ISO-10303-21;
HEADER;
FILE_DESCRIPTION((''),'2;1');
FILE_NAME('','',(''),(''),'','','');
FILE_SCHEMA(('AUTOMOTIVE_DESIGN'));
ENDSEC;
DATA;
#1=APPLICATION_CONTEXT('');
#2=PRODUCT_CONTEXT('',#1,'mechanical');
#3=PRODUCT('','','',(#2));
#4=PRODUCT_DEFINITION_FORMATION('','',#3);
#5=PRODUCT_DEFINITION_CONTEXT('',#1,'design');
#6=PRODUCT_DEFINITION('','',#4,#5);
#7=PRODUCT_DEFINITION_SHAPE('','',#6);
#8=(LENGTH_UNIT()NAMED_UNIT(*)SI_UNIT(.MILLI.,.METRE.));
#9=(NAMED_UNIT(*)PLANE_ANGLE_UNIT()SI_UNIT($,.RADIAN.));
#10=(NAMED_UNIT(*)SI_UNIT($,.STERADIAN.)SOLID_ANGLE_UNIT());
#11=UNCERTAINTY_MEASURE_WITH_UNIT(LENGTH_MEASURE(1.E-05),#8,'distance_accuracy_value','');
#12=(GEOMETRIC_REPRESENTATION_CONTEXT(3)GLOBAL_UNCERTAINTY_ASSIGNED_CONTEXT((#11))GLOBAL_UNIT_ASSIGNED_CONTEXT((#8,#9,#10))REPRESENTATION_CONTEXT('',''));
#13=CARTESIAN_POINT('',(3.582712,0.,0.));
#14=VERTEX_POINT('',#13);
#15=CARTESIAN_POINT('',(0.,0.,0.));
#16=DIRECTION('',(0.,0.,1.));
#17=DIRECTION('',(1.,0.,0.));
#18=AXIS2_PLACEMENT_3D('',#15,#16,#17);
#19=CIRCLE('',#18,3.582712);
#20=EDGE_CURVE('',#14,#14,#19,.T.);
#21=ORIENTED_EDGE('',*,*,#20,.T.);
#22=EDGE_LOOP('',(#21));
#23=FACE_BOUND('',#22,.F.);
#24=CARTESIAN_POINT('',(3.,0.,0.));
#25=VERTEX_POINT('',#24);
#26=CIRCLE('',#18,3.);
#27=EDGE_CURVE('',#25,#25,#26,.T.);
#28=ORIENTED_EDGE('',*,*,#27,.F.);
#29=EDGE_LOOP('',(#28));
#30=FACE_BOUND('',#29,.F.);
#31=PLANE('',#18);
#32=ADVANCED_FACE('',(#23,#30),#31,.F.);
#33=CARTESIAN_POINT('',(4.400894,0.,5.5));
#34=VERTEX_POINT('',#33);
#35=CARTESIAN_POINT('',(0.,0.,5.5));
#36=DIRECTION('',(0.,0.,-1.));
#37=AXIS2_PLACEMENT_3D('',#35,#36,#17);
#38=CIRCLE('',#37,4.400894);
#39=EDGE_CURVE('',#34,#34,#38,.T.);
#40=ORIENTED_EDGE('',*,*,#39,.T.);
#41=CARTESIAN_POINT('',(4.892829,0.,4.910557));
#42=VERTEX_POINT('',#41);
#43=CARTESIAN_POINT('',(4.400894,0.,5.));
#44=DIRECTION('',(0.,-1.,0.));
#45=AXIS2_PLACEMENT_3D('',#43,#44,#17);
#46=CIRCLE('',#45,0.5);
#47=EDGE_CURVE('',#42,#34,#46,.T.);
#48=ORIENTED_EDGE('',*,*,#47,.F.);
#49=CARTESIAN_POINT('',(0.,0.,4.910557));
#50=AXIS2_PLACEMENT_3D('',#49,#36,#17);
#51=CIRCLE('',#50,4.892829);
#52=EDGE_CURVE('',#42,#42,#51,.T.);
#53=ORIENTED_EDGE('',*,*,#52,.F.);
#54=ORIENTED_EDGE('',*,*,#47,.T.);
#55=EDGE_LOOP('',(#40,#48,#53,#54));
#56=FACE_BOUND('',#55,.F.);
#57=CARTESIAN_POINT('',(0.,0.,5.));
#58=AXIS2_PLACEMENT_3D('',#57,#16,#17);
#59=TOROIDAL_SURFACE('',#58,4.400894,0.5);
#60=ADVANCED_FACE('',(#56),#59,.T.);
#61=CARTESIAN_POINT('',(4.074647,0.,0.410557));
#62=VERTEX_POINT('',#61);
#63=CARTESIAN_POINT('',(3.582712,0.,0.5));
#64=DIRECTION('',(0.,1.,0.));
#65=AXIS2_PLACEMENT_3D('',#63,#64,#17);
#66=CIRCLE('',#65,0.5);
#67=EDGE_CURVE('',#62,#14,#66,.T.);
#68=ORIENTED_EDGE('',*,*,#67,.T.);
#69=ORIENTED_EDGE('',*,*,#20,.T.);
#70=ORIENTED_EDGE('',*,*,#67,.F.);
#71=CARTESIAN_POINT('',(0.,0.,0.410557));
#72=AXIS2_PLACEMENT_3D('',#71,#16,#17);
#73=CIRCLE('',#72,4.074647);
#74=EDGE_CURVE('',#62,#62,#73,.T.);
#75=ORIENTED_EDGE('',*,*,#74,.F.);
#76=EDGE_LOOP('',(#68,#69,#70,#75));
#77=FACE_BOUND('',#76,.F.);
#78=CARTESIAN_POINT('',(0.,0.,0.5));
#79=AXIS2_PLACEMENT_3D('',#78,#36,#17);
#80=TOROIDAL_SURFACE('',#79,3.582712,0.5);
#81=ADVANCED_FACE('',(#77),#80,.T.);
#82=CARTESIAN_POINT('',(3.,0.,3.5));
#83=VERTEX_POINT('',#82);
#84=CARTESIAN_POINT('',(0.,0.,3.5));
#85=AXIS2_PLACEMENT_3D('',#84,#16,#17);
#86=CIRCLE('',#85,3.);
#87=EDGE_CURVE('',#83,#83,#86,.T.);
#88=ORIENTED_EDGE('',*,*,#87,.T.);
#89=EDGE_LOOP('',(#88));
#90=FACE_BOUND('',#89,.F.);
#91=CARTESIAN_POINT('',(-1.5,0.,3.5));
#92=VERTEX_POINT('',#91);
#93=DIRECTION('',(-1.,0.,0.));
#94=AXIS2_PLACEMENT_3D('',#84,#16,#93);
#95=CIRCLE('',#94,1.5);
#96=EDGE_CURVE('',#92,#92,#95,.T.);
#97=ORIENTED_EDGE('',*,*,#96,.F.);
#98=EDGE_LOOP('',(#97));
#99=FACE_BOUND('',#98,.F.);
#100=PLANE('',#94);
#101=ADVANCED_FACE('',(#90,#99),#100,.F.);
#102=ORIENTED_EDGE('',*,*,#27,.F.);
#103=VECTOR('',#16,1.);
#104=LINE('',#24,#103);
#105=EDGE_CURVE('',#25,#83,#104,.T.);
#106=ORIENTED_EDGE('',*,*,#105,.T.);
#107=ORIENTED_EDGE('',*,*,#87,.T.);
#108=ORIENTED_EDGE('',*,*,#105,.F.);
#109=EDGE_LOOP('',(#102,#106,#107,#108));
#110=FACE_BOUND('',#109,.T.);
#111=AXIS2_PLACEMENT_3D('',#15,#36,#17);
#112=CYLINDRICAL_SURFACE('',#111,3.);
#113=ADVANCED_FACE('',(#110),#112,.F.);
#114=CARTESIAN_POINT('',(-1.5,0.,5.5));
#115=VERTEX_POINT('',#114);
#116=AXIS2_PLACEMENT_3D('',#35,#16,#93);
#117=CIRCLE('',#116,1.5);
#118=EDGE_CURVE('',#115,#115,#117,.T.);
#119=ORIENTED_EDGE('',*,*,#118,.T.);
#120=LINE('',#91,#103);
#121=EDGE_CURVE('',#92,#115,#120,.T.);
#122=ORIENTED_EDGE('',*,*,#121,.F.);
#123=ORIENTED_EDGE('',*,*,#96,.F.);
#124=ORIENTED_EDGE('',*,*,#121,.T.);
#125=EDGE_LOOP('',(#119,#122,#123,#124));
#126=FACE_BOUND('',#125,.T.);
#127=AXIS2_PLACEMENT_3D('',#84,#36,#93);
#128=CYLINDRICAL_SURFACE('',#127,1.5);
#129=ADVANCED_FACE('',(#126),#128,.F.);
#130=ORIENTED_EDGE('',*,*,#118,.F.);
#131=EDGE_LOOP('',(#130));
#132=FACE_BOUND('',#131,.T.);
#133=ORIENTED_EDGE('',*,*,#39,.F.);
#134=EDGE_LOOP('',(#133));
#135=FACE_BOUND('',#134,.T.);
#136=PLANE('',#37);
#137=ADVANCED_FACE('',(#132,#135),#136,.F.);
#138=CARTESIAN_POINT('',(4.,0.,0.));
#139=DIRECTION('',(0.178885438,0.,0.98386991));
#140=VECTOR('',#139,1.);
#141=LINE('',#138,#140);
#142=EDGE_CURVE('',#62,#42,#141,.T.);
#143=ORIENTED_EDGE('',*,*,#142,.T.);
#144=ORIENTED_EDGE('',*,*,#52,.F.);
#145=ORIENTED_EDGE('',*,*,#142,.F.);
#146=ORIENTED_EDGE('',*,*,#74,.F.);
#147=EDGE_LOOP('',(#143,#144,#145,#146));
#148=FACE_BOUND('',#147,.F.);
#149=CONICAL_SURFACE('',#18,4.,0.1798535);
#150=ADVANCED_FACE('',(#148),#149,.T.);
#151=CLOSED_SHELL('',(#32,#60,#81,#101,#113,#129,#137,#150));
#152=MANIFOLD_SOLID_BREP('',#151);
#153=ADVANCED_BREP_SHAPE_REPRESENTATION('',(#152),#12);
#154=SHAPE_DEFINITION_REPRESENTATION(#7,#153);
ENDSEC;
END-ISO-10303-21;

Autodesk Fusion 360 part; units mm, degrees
sketch "Sketch1" plane through (0, 0, 0) normal (0, 0, 1) x (1, 0, 0) in component "Component"
  circle A0 centre (0, 0) radius 3
  circle A1 centre (0, 0) radius 4
  dimension "d1" = 6
  dimension "d2" = 8
extrude "Extrude1" add sketch "Sketch1" along normal blind 3.5 in component "Component"
sketch "Sketch2" plane through (0, 0, 3.5) normal (0, 0, 1) x (-1, 0, 0) in component "Component"
  circle A0 centre (0, 0) radius 3
  circle A1 centre (0, 0) radius 4
  circle A2 centre (0, 0) radius 1.5
  dimension "d5" = 3
extrude "Extrude2" add sketch "Sketch2" along normal blind 2 contours A0 | A1 in component "Component"
sketch "Sketch3" plane through (0, 0, 5.5) normal (0, 0, 1) x (-1, 0, 0) in component "Component"
  circle A0 centre (0, 0) radius 1.5
  circle A1 centre (0, 0) radius 4
sketch "Sketch4" plane through (0, 0, 5.5) normal (0, 0, 1) x (1, 0, 0) in component "Component"
  circle A0 centre (0, 0) radius 5
  dimension "d8" = 10
sketch "Sketch5" plane through (0, 0, 5.5) normal (0, 0, 1) x (1, 0, 0) in component "Component"
sketch "Sketch6" plane through (0, 0, 0) normal (0, 1, 0) x (1, 0, 0) in component "Component"
  line L0 (4, 0) -> (5, -5.5)
  line L1 (4, 0) -> (4, -5.5)
  line L2 (4, -5.5) -> (5, -5.5)
sketch "Sketch7" plane through (0, 0, 5.5) normal (0, 0, 1) x (1, 0, 0) in component "Component"
sketch "Sketch8" plane through (0, 0, 0) normal (0, 1, 0) x (1, 0, 0) in component "Component"
  line L0 (0, -5.5) -> (0, 0)
revolve "Revolve1" add sketch "Sketch6" angle 360 about axis through (0, 0, 5.5) along (0, 0, -1) in component "Component"
fillet "Fillet1" radius 0.5 1 edges at (-4.6616, -1.8081, 5.5) in component "Component"
fillet "Fillet2" radius 0.5 1 edges at (-3.7293, -1.4465, 0) in component "Component"
sketch "Sketch9" plane through (0, 0, 0) normal (0, 1, 0) x (1, 0, 0) in component "Component"
sketch "Sketch10" plane through (0, 0, 0) normal (0, 1, 0) x (1, 0, 0) in component "Component"
  line L0 (4, -2.75) -> (1, -2.75)
component "Component" placed x (1, 0, 0) y (0, 1, 0) z (0, 0, 1) at (0, 0, 0)
